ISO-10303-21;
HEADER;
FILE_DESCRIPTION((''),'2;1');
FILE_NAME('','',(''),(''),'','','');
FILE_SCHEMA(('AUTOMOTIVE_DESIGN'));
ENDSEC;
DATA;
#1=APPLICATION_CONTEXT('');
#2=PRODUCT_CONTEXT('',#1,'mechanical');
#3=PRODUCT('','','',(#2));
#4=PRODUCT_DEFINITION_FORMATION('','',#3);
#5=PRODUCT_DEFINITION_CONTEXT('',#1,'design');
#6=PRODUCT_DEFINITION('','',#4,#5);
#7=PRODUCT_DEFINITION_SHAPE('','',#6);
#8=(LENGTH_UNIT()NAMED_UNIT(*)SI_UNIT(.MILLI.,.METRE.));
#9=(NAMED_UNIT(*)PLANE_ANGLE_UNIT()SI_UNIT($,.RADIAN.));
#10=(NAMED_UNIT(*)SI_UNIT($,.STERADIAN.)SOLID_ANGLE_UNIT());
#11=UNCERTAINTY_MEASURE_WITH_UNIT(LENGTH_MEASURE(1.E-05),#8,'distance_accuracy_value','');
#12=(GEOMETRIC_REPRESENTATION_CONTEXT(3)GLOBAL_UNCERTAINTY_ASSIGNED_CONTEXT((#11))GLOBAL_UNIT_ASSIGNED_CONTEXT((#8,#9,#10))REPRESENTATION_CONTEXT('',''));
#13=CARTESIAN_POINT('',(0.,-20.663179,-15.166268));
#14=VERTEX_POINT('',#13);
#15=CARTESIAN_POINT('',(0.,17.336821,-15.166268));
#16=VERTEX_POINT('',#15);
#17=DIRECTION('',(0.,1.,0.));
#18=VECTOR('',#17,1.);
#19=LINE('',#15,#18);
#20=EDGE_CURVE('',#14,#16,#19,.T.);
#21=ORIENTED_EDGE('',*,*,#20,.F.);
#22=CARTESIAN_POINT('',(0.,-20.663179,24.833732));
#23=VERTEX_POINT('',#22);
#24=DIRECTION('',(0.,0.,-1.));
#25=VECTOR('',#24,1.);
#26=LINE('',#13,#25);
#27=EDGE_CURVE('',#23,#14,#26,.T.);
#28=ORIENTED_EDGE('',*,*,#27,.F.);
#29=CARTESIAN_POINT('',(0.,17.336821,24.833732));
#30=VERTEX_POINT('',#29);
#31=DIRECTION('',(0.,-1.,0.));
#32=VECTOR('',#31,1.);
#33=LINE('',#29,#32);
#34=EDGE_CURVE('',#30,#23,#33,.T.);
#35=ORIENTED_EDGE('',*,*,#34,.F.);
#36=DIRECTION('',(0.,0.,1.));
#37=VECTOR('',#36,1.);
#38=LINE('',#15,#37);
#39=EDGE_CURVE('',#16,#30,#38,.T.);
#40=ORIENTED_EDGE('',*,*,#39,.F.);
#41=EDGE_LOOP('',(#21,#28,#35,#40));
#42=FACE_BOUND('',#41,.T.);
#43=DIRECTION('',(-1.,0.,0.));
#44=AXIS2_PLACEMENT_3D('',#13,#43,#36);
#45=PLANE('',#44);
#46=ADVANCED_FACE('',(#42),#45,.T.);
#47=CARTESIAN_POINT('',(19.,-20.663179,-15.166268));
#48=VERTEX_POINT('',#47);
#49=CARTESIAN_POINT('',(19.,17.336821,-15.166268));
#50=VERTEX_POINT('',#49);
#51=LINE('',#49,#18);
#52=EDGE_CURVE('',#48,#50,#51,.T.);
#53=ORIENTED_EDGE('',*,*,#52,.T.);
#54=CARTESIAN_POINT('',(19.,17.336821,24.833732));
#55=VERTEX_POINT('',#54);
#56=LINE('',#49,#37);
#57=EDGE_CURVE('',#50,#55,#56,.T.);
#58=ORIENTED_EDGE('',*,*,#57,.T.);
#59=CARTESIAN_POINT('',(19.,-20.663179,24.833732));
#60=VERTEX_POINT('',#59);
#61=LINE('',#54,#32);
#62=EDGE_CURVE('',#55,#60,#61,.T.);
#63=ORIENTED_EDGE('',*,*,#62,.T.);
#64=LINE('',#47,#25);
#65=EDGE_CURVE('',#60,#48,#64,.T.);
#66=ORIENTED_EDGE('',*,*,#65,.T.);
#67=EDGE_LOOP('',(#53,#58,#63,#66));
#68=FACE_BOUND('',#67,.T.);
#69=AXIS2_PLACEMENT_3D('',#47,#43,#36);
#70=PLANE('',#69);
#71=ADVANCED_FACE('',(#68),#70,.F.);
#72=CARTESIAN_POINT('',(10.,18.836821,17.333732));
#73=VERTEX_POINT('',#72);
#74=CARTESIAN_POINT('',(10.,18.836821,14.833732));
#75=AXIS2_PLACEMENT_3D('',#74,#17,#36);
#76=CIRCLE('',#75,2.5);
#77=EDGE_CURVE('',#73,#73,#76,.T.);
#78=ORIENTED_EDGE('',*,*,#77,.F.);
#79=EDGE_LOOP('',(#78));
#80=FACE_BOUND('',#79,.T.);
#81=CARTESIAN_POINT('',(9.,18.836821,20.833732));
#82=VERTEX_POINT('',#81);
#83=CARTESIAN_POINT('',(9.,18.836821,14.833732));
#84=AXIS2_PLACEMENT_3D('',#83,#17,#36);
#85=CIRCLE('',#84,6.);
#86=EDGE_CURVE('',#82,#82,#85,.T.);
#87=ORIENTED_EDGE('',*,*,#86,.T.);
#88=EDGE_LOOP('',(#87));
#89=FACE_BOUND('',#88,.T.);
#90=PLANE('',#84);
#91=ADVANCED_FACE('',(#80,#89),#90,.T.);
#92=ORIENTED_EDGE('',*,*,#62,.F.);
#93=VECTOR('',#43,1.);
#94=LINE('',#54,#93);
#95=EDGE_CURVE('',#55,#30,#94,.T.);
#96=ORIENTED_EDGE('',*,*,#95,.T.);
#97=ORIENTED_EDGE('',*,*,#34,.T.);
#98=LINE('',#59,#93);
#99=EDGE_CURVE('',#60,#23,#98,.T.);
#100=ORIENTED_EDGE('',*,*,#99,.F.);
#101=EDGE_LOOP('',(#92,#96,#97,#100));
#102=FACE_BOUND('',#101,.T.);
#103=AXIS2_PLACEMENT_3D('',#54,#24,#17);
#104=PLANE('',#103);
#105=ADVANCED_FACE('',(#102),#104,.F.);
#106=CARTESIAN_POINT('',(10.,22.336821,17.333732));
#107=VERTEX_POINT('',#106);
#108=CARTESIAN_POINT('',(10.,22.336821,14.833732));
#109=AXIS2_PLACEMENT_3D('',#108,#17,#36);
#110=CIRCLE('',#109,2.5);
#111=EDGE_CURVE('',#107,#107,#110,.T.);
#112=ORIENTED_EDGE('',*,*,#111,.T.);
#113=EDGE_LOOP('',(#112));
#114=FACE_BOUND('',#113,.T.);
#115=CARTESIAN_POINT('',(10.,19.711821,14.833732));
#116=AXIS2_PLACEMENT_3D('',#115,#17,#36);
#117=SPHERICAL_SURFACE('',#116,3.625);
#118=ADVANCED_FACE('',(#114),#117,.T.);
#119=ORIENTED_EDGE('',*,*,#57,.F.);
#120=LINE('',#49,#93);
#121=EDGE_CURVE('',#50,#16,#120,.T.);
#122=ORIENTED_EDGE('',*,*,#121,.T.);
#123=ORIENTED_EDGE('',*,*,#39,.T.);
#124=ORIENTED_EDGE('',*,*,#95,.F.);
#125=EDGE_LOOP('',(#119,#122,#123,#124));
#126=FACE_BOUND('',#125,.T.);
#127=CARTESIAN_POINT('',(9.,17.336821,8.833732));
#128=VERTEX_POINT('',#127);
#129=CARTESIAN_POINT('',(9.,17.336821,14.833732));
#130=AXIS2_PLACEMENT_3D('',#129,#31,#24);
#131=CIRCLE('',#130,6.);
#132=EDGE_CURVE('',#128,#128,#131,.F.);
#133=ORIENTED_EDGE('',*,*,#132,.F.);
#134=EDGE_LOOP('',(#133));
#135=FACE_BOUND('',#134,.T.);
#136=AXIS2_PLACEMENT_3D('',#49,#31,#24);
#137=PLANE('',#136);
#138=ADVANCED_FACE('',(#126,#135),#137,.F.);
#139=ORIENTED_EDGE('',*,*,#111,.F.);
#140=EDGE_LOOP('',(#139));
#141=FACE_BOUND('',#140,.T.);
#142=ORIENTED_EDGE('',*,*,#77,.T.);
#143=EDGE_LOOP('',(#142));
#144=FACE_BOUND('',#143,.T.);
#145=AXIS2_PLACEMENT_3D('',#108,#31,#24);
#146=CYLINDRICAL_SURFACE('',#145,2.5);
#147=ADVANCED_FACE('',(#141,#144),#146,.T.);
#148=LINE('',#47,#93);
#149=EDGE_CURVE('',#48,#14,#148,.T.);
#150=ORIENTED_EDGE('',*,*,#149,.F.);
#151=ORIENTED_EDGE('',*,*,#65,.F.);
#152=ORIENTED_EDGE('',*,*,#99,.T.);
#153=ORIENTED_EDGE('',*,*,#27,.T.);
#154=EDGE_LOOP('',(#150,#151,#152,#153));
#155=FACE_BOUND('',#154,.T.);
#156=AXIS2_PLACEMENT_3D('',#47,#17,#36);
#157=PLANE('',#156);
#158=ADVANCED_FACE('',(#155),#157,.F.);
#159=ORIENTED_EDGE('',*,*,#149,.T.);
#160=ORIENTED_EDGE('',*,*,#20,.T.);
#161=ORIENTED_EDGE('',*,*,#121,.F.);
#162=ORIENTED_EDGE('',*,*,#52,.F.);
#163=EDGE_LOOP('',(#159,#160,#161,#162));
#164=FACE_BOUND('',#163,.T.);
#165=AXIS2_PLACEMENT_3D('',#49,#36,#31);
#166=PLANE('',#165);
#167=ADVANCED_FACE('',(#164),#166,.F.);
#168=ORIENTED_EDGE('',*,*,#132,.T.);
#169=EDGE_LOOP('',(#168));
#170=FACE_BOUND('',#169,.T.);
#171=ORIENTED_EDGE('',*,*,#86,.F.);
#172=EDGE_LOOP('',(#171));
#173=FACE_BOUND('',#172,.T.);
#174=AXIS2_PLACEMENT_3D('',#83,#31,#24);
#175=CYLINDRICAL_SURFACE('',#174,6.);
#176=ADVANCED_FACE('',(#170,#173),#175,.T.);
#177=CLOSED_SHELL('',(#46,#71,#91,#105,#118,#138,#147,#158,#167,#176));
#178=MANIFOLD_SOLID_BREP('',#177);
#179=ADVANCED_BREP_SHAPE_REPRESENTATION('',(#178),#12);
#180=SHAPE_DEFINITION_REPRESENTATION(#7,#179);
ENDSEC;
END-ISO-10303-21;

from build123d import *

# Parameters (mm, degrees)
ESQUISSE1_W       = 40
ESQUISSE1_H       = 38
EXTRUSION1_DEPTH  = 19
ESQUISSE2_R       = 6
EXTRUSION2_DEPTH  = 1.5
ESQUISSE3_R       = 2.5
EXTRUSION3_DEPTH  = 3.5
D_ME1_FACE_RADIUS = 2.5
D_ME1_HEIGHT      = 1


with BuildPart() as part:
    # Esquisse1 → Extrusion1 (new body)
    with BuildSketch(Plane(origin=(0, 0, 0), x_dir=(0, 0, -1), z_dir=(1, 0, 0))):
        with Locations((-4.8337322, -1.663178935)):
            Rectangle(ESQUISSE1_W, ESQUISSE1_H)
    extrude(amount=EXTRUSION1_DEPTH)

    # Esquisse2 → Extrusion2 (add)
    with BuildSketch(Plane(origin=(0, 17.336821065, 0), x_dir=(1, 0, 0), z_dir=(0, 1, 0))):
        with Locations(Location((9, -14.8337322, 0), (0, 0, 90))):
            Circle(ESQUISSE2_R)
    extrude(amount=EXTRUSION2_DEPTH)

    # Esquisse3 → Extrusion3 (add)
    with BuildSketch(Plane(origin=(0, 18.836821065, 0), x_dir=(-1, 0, 0), z_dir=(0, 1, 0))):
        with Locations(Location((-10, 14.8337322, 0), (0, 0, 90))):
            Circle(ESQUISSE3_R)
    extrude(amount=EXTRUSION3_DEPTH)

    # Dôme1: a dome of height H over a round flat face of radius A is a cap of a sphere of radius (A * A + H * H) / (2 * H)
    d_me1_r = (D_ME1_FACE_RADIUS * D_ME1_FACE_RADIUS + D_ME1_HEIGHT * D_ME1_HEIGHT) / (2 * D_ME1_HEIGHT)
    d_me1_base = Plane((10, 22.336821065, 14.8337322), z_dir=(0, 1, 0))
    with Locations(d_me1_base.offset(D_ME1_HEIGHT - d_me1_r)):
        d_me1_ball = Sphere(d_me1_r, mode=Mode.PRIVATE)
    add(split(d_me1_ball, bisect_by=d_me1_base, keep=Keep.TOP, mode=Mode.PRIVATE))


solid = part.part
